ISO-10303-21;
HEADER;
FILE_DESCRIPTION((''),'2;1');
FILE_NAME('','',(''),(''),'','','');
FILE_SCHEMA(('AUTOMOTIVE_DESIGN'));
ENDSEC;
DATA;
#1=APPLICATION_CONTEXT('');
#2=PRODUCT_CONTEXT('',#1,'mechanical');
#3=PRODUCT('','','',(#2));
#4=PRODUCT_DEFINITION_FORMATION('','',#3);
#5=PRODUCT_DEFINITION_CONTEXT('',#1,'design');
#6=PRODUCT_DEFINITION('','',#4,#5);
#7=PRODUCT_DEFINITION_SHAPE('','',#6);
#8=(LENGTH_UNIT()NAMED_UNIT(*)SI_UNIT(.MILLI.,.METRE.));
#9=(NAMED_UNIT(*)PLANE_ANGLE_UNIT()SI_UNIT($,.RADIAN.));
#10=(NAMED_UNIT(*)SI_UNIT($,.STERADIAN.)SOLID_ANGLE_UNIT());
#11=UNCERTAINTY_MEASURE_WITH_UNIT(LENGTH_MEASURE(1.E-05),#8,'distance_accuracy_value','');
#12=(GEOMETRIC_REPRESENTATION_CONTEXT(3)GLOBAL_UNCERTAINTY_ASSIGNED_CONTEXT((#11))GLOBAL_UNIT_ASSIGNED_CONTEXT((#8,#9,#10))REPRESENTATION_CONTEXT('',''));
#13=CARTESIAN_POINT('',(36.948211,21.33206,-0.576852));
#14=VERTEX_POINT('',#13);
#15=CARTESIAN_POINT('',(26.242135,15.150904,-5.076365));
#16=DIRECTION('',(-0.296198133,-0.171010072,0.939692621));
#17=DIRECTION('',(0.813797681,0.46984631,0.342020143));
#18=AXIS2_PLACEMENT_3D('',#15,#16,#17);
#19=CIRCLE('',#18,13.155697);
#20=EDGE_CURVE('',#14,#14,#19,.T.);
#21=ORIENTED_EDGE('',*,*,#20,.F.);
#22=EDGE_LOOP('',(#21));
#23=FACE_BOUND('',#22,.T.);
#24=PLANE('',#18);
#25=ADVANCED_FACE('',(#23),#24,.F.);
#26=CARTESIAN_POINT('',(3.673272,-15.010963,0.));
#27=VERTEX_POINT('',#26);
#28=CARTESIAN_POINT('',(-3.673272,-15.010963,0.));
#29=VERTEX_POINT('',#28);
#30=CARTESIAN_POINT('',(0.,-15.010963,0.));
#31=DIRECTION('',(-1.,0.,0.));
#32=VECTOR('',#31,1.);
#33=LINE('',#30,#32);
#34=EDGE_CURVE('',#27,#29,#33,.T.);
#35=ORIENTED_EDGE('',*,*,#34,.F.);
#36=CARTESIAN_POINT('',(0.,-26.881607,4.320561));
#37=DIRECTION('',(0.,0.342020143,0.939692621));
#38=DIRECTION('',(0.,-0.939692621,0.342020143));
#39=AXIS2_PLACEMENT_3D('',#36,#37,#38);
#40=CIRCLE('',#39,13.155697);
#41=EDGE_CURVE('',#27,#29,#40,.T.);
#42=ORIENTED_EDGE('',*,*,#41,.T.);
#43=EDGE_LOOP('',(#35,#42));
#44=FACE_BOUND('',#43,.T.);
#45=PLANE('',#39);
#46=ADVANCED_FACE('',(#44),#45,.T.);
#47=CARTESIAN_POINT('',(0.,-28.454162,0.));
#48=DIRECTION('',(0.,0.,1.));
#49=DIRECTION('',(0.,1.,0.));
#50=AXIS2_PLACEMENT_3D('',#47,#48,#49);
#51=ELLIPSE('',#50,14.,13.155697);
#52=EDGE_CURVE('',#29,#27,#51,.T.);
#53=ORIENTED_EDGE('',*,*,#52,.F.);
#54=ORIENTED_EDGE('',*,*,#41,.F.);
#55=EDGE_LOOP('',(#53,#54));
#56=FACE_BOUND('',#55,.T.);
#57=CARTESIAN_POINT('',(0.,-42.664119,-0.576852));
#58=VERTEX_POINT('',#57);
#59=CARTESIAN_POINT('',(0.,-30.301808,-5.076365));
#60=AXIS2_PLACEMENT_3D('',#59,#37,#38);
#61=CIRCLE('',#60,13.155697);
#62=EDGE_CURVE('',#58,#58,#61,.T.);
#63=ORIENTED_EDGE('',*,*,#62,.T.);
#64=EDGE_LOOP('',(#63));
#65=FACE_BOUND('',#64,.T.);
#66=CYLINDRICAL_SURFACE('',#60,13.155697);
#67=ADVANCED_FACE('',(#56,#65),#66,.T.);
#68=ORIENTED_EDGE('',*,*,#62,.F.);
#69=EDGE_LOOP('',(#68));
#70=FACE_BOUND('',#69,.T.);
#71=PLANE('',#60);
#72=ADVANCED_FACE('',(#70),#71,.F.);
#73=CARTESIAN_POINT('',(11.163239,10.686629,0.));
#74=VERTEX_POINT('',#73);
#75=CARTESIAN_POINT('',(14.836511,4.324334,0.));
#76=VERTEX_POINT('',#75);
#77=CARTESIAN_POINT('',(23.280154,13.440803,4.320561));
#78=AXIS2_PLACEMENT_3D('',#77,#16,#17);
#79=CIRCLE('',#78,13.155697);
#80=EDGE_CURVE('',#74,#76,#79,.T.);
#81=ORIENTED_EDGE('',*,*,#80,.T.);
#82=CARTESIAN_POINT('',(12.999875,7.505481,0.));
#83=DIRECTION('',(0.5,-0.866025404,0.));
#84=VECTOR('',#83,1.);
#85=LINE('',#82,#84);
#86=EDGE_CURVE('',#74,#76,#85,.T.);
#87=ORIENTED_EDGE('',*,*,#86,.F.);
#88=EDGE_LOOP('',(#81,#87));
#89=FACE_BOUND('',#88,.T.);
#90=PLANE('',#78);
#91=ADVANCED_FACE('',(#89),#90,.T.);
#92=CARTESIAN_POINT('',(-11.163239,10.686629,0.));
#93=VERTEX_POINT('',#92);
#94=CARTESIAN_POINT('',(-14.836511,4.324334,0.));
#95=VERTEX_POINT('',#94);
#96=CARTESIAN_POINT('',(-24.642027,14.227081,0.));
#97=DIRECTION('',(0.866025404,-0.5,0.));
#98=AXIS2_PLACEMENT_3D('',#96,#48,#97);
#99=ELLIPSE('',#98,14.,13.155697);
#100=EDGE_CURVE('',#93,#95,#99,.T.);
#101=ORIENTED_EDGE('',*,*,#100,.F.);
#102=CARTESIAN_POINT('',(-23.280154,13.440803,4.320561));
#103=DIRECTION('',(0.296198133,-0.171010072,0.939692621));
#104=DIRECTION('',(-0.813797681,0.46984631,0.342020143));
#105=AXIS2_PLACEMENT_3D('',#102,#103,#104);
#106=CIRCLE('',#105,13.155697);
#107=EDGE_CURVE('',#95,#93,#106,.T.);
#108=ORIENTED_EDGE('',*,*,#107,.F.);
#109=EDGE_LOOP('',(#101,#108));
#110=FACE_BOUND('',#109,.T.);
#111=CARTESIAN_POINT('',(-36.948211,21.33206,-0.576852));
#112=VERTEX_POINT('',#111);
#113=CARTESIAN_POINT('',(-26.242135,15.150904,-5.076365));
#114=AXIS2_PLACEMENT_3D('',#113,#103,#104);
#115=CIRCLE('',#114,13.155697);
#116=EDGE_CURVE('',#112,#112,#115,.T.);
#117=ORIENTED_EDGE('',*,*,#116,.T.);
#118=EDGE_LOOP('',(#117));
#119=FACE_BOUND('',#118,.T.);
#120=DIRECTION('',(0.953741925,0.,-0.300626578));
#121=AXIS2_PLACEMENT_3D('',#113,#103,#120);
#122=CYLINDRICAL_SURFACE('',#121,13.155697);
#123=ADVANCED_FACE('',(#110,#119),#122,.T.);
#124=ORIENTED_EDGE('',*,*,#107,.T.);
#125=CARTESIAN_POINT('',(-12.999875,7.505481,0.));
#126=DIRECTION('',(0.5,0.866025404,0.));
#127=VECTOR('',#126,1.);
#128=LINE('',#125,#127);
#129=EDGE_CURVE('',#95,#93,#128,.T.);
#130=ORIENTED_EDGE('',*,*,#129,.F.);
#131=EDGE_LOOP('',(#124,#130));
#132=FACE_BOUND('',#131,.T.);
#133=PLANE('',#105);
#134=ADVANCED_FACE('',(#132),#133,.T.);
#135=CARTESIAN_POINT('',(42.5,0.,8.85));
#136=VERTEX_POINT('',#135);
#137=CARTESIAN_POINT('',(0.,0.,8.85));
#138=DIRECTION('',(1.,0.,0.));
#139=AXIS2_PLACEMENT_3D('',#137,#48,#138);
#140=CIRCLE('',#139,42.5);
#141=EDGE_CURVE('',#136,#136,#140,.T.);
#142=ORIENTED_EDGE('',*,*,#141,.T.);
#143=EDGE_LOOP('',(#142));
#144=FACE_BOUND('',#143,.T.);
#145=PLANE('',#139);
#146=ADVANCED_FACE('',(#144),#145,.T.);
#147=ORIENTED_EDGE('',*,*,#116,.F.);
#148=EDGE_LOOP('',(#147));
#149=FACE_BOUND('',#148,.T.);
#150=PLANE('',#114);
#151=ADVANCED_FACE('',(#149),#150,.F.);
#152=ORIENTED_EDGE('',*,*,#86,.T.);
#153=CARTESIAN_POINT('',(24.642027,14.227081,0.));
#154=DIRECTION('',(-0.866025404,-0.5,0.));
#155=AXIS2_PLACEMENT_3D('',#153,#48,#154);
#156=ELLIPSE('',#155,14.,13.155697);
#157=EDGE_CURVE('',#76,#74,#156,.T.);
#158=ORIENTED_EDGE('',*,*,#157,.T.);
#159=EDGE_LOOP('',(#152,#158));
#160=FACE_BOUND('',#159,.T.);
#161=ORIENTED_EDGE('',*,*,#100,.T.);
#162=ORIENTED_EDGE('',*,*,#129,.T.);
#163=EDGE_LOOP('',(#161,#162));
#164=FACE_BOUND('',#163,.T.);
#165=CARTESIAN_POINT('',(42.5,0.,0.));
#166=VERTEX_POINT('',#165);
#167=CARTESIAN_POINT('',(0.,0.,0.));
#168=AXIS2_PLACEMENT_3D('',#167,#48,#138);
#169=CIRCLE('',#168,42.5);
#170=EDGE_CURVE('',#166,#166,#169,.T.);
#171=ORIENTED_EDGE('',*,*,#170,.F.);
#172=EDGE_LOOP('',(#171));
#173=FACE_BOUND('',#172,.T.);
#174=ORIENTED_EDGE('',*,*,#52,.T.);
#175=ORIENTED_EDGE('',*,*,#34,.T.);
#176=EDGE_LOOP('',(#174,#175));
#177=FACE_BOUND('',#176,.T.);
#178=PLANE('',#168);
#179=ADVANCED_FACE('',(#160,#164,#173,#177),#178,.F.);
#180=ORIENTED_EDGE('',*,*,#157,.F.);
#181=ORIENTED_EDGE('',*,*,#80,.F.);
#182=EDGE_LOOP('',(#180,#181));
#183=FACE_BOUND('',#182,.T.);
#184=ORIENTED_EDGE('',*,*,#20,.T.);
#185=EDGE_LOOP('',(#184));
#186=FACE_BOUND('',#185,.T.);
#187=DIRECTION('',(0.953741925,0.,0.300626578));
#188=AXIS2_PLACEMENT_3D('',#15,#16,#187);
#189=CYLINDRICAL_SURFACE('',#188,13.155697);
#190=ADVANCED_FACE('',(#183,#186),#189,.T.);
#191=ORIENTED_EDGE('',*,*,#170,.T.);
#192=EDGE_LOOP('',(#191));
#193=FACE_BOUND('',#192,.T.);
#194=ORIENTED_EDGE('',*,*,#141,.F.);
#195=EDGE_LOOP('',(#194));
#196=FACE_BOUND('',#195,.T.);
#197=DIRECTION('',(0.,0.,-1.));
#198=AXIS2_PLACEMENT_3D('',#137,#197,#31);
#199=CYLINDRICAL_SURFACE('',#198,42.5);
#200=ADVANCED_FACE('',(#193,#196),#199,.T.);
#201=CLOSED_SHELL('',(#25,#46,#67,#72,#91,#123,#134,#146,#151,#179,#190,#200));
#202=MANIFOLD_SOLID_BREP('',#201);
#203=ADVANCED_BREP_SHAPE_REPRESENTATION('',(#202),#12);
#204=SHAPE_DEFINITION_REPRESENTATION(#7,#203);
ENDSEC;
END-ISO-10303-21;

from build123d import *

# Parameters (mm, degrees)
SKETCH1_R           = 42.5
BOSS_EXTRUDE1_DEPTH = 8.85
BOSS_EXTRUDE2_START = -10
SKETCH6_R           = 13.155696691
BOSS_EXTRUDE2_DEPTH = 10
CIRPATTERN1_COUNT   = 3


with BuildPart() as part:
    # Sketch1 → Boss-Extrude1 (new body)
    with BuildSketch(Plane.XY):
        Circle(SKETCH1_R)
    extrude(amount=BOSS_EXTRUDE1_DEPTH)

    # Sketch6 → Boss-Extrude2 (add)
    with BuildSketch(Plane(origin=(0, 1.664252335, 4.57249571), x_dir=(-1, 0, 0), z_dir=(-2.371601618479234e-15, 0.34202014332567576, 0.9396926207859059)).offset(BOSS_EXTRUDE2_START)):
        with Locations((0, 26.738166151)):
            Circle(SKETCH6_R)
    boss_extrude2 = extrude(amount=-BOSS_EXTRUDE2_DEPTH)

    # CirPattern1: Boss-Extrude2 ×3 about axis
    cirpattern1_axis = Axis((0, 0, 8.85), (0, 0, -1))
    for i in range(1, CIRPATTERN1_COUNT):
        add(boss_extrude2.rotate(cirpattern1_axis, i * 360 / CIRPATTERN1_COUNT))


solid = part.part
